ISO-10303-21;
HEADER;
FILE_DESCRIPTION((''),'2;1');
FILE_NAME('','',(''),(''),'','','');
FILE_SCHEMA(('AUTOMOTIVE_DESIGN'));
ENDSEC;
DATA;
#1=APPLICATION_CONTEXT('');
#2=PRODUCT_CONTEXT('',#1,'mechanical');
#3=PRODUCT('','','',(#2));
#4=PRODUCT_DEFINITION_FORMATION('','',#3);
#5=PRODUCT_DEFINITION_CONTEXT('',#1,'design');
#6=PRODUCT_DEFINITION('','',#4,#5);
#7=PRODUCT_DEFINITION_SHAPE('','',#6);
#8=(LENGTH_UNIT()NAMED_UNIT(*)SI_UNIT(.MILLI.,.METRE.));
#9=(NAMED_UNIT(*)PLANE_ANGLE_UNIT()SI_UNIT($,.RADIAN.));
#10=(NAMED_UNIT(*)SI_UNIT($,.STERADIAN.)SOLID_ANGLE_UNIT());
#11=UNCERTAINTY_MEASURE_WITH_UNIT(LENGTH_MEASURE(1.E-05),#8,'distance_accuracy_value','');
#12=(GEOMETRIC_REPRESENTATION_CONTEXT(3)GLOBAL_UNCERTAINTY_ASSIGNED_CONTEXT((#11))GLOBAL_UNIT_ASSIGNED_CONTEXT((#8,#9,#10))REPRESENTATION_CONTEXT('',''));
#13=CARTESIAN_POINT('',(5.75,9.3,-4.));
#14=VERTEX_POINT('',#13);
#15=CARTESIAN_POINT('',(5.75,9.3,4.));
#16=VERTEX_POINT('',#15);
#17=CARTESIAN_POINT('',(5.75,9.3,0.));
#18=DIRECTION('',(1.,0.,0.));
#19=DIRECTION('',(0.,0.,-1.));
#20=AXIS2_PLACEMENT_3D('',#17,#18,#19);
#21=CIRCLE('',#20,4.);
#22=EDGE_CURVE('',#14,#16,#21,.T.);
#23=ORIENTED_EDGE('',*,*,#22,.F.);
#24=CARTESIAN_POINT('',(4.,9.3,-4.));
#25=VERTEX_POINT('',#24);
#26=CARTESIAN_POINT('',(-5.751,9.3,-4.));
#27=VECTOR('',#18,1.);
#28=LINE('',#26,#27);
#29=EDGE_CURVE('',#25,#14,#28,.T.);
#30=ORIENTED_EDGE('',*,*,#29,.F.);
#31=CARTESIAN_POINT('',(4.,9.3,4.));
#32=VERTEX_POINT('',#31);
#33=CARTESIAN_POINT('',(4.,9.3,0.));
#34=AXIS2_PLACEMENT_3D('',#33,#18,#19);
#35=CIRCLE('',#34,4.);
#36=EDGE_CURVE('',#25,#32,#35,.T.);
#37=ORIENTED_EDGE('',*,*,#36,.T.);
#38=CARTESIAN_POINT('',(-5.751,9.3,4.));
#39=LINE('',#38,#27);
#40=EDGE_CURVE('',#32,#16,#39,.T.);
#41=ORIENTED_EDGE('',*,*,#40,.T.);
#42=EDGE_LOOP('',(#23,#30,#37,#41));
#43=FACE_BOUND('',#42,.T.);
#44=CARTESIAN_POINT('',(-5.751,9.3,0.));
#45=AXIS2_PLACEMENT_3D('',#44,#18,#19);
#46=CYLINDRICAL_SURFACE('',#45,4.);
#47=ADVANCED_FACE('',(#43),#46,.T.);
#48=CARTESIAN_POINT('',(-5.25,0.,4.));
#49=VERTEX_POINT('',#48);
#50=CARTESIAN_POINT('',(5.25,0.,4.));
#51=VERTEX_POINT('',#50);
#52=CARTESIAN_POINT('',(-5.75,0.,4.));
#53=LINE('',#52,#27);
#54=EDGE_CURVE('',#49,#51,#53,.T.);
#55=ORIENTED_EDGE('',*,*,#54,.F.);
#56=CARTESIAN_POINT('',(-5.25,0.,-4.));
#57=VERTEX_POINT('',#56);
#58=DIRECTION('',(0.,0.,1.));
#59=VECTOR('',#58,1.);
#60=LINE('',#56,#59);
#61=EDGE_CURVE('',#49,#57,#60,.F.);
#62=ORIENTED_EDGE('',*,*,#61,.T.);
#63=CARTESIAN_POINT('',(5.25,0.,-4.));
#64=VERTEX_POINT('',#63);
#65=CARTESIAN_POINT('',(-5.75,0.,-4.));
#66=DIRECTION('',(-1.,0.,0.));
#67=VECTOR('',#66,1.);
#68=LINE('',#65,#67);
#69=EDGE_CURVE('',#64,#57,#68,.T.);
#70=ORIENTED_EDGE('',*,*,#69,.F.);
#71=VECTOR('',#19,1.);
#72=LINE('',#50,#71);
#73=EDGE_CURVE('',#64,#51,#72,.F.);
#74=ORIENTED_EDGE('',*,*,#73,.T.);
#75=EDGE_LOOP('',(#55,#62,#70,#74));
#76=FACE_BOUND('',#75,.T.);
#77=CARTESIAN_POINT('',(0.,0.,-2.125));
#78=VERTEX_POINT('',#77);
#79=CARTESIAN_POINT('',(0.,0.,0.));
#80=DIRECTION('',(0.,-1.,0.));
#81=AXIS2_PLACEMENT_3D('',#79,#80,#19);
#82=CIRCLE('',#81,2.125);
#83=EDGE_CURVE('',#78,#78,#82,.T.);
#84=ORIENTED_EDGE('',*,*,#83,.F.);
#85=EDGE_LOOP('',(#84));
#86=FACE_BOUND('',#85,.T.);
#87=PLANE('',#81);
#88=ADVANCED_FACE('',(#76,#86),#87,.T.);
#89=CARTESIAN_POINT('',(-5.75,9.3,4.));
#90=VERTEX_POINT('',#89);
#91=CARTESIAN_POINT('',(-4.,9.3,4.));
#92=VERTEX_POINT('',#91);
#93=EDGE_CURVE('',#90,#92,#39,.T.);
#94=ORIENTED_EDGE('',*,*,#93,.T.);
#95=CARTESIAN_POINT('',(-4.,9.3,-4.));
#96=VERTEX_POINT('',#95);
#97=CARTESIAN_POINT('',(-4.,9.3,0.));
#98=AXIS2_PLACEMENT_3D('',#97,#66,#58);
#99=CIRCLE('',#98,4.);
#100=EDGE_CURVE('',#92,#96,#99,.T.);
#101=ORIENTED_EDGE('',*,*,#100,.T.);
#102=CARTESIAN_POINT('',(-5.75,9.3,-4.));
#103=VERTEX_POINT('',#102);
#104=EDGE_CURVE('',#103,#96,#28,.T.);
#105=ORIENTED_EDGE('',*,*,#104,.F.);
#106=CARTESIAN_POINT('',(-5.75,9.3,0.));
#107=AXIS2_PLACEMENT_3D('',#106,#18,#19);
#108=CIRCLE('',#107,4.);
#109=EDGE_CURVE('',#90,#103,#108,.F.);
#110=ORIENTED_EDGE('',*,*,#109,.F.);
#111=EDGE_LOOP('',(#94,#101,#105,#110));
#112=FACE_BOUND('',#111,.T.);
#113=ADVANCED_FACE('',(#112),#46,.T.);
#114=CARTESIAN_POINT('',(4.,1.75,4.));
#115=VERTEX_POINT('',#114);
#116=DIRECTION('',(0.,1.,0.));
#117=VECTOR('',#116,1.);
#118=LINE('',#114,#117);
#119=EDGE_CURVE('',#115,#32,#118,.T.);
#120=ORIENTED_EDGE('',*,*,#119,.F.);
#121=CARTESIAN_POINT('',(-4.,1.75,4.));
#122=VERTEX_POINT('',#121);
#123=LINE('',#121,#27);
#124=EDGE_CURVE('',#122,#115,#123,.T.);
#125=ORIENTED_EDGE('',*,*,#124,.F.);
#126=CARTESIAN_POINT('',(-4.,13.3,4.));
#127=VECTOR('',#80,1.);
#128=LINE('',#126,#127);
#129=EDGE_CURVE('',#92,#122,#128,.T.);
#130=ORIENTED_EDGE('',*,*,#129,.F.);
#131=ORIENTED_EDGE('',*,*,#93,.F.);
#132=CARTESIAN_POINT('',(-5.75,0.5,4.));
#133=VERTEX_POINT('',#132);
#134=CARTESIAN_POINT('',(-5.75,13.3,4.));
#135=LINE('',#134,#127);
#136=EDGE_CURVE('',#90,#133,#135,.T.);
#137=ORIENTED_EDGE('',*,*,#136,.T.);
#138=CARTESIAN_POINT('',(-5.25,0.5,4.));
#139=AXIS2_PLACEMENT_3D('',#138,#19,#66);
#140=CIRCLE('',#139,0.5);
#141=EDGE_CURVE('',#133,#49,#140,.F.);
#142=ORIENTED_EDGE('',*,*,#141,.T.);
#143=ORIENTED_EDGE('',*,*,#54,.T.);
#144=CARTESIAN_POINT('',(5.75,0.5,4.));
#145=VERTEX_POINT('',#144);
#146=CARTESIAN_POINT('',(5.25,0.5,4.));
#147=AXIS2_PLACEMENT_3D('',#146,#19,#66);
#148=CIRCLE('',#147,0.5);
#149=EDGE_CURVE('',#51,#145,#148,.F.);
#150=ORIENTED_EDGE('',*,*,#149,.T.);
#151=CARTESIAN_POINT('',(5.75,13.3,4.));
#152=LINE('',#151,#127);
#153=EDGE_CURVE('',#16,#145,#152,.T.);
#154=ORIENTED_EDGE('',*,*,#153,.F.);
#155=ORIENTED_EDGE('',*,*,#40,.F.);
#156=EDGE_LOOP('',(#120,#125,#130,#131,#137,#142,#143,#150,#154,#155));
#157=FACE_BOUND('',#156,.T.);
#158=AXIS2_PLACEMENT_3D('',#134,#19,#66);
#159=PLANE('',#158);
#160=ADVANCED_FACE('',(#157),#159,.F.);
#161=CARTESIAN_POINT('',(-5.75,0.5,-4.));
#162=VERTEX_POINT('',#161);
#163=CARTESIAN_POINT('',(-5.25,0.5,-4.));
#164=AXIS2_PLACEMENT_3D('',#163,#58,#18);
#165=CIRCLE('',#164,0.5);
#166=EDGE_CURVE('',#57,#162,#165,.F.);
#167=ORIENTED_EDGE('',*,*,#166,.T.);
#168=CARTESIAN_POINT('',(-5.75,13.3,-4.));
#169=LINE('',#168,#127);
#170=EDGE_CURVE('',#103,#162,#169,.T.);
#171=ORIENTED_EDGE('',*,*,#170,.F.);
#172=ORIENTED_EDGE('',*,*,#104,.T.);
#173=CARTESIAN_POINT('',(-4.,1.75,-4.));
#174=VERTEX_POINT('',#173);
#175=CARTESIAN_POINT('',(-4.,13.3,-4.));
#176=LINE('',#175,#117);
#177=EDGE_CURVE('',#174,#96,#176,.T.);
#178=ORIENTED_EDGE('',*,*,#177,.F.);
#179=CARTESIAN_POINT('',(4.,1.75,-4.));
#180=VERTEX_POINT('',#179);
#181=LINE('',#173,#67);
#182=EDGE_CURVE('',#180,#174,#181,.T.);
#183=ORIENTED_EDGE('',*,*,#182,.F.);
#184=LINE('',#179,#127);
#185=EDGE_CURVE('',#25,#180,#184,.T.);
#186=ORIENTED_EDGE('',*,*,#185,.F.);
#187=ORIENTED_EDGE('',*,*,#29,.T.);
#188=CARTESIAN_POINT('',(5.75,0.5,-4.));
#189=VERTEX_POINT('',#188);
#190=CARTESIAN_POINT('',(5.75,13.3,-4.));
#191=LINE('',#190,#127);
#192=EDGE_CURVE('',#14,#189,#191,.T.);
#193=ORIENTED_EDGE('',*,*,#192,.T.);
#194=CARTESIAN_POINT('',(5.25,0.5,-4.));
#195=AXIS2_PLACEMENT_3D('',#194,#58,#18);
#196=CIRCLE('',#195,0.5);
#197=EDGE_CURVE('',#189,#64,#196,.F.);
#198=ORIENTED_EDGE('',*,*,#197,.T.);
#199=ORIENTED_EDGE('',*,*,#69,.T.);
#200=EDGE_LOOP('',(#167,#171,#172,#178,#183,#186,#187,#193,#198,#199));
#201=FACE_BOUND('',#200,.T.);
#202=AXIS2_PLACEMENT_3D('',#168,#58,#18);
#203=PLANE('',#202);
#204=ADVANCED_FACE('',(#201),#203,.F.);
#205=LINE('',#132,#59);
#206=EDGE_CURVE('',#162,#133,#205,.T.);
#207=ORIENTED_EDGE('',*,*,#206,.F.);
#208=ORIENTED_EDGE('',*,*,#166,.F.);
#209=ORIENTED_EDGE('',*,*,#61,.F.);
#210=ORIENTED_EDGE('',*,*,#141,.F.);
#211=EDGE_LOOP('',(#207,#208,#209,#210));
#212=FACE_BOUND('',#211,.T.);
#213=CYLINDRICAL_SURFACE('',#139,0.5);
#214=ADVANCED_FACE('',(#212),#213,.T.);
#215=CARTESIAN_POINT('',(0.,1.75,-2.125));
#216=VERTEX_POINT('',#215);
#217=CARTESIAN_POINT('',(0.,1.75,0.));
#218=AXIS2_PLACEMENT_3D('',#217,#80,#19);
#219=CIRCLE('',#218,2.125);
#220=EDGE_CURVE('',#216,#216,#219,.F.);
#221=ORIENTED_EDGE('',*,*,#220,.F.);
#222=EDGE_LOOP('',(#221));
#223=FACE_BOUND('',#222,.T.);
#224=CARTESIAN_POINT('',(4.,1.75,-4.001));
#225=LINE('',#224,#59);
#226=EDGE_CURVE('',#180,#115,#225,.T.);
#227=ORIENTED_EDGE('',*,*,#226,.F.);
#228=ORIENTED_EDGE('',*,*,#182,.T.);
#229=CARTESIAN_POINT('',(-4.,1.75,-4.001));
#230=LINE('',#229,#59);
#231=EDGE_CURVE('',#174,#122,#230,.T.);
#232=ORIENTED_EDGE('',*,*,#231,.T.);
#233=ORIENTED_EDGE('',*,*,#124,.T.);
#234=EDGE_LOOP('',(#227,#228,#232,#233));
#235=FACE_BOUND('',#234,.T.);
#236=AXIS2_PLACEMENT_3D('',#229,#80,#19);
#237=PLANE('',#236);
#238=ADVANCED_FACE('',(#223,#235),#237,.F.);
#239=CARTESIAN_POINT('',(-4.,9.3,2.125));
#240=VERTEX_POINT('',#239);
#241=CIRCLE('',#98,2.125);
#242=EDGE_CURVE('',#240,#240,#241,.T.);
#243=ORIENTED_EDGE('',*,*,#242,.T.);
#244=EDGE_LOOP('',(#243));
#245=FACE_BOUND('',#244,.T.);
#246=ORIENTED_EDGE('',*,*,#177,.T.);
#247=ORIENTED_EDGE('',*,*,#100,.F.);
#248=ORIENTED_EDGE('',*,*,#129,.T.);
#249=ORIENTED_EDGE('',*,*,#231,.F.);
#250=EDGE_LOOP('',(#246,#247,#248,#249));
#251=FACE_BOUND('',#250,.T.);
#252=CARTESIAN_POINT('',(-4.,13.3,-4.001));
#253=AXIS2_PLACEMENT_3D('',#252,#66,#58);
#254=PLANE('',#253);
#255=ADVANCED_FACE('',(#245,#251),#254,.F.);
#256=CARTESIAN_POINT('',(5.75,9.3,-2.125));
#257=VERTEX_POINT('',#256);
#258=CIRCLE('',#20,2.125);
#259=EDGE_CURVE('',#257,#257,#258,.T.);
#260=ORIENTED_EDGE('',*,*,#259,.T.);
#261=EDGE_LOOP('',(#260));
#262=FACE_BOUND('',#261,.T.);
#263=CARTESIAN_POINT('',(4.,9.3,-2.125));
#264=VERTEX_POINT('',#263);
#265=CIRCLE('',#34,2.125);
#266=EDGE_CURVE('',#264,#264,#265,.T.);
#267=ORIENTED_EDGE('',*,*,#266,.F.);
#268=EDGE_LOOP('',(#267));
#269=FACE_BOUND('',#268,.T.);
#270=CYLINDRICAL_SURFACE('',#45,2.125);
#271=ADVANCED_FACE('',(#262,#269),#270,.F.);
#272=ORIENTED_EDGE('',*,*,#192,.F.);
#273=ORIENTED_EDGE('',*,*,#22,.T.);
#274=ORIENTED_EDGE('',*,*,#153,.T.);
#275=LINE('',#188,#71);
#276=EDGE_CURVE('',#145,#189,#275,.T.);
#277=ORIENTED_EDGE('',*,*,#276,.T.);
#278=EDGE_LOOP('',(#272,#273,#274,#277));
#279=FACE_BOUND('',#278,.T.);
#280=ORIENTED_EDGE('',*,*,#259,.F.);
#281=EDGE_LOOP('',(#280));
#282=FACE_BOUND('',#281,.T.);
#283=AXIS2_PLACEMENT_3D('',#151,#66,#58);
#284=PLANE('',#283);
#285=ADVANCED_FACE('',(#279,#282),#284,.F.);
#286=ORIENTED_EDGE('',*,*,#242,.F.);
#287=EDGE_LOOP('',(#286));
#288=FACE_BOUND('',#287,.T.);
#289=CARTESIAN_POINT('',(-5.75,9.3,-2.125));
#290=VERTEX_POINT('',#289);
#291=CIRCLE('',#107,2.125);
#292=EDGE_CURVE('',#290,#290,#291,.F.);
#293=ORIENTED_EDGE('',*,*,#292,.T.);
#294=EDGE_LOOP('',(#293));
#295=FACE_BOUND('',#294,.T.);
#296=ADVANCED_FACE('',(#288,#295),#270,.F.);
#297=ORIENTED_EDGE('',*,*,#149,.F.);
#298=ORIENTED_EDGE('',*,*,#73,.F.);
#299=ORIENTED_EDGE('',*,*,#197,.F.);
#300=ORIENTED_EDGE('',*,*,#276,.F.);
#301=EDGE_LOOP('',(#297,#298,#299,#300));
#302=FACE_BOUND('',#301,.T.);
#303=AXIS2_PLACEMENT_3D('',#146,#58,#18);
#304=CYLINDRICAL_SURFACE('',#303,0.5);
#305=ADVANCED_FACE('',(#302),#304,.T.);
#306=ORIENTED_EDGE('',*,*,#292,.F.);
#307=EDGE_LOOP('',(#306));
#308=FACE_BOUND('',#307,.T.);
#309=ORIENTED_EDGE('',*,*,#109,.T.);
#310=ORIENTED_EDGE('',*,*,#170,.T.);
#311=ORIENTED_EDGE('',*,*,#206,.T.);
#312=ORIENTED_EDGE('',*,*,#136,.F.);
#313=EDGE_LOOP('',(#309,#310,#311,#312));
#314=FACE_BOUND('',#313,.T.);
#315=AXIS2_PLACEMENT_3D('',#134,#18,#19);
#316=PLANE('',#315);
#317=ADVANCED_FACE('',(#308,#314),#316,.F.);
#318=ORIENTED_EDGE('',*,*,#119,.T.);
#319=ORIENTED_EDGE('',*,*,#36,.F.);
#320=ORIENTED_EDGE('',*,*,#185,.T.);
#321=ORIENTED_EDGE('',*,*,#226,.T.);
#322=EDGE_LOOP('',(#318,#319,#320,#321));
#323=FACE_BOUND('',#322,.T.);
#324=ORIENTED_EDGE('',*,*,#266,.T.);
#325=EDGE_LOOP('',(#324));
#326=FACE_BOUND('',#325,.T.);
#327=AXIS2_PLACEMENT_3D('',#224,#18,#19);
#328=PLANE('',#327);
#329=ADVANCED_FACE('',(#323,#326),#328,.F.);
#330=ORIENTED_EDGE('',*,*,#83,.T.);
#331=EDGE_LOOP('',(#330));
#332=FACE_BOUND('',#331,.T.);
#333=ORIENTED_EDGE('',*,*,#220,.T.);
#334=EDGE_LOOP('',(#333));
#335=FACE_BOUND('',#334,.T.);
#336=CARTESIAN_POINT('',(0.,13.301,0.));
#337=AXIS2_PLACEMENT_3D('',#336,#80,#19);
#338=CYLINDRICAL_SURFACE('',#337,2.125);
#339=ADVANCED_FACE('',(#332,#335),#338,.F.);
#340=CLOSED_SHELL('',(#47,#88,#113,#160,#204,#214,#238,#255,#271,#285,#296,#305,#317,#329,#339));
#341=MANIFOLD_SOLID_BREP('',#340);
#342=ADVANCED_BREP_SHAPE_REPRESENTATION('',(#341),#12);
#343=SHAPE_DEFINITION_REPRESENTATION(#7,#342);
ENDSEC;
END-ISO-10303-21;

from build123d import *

# Parameters (mm, degrees)
SKETCH1_W           = 11.5
SKETCH1_H           = 8
BOSS_EXTRUDE1_DEPTH = 13.3
CUT_EXTRUDE1_REACH  = 20.032
SKETCH2_R           = 2.125
CUT_EXTRUDE2_REACH  = 20.032
CUT_EXTRUDE3_REACH  = 18.552
SKETCH4_W           = 8
SKETCH4_H           = 11.55
CUT_EXTRUDE4_REACH  = 17.032
SKETCH5_R           = 2.125
FILLET1_R           = 0.5


with BuildPart() as part:
    # Sketch1 → Boss-Extrude1 (new body)
    with BuildSketch(Plane(origin=(0, 0, 0), x_dir=(1, 0, 0), z_dir=(0, 1, 0))):
        Rectangle(SKETCH1_W, SKETCH1_H)
    extrude(amount=BOSS_EXTRUDE1_DEPTH)

    # Sketch2 → Cut-Extrude1 (cut, up to next)
    with BuildSketch(Plane(origin=(5.75, 0, 0), x_dir=(0, 0, -1), z_dir=(1, 0, 0)), mode=Mode.PRIVATE) as cut_extrude1_sk1:
        with Locations((0, 9.3)):
            Circle(SKETCH2_R)
    cut_extrude1_tool1 = extrude(cut_extrude1_sk1.sketch, amount=-CUT_EXTRUDE1_REACH, mode=Mode.PRIVATE) & part.part
    add(cut_extrude1_tool1.solids().sort_by_distance((5.75, 9.3, 0))[0], mode=Mode.SUBTRACT)

    # Sketch3 → Cut-Extrude2 (cut, up to next)
    with BuildSketch(Plane(origin=(5.75, 0, 0), x_dir=(0, 0, -1), z_dir=(1, 0, 0)), mode=Mode.PRIVATE) as cut_extrude2_sk1:
        with BuildLine():
            Line((4, 13.3), (0, 13.3))
            ThreePointArc((0, 13.3), (2.828427125, 12.128427125), (4, 9.3))
            Line((4, 9.3), (4, 13.3))
        make_face()
    cut_extrude2_tool1 = extrude(cut_extrude2_sk1.sketch, amount=-CUT_EXTRUDE2_REACH, mode=Mode.PRIVATE) & part.part
    # Sketch3 → Cut-Extrude2 (cut, up to next)
    with BuildSketch(Plane(origin=(5.75, 0, 0), x_dir=(0, 0, -1), z_dir=(1, 0, 0)), mode=Mode.PRIVATE) as cut_extrude2_sk2:
        with BuildLine():
            Line((0, 13.3), (-4, 13.3))
            Line((-4, 13.3), (-4, 9.3))
            ThreePointArc((-4, 9.3), (-2.828427125, 12.128427125), (0, 13.3))
        make_face()
    cut_extrude2_tool2 = extrude(cut_extrude2_sk2.sketch, amount=-CUT_EXTRUDE2_REACH, mode=Mode.PRIVATE) & part.part
    add(cut_extrude2_tool1.solids().sort_by_distance((5.75, 12.406528, -3.106528))[0], mode=Mode.SUBTRACT)
    add(cut_extrude2_tool2.solids().sort_by_distance((5.75, 12.406528, 3.106528))[0], mode=Mode.SUBTRACT)

    # Sketch4 → Cut-Extrude3 (cut, up to next)
    with BuildSketch(Plane.XY.offset(4), mode=Mode.PRIVATE) as cut_extrude3_sk1:
        with Locations((0, 7.525)):
            Rectangle(SKETCH4_W, SKETCH4_H)
    cut_extrude3_tool1 = extrude(cut_extrude3_sk1.sketch, amount=-CUT_EXTRUDE3_REACH, mode=Mode.PRIVATE) & part.part
    add(cut_extrude3_tool1.solids().sort_by_distance((0, 7.525, 4))[0], mode=Mode.SUBTRACT)

    # Sketch5 → Cut-Extrude4 (cut, up to next)
    with BuildSketch(Plane.XZ, mode=Mode.PRIVATE) as cut_extrude4_sk1:
        with Locations(Location((0, 0, 0), (0, 0, 270))):
            Circle(SKETCH5_R)
    cut_extrude4_tool1 = extrude(cut_extrude4_sk1.sketch, amount=-CUT_EXTRUDE4_REACH, mode=Mode.PRIVATE) & part.part
    add(cut_extrude4_tool1.solids().sort_by_distance((0, 0, 0))[0], mode=Mode.SUBTRACT)

    # Fillet1
    fillet1_edges = [part.edges().sort_by_distance(p)[0] for p in [
        (5.75, 0, 0),
        (-5.75, 0, 0),
    ]]
    fillet(fillet1_edges, radius=FILLET1_R)


solid = part.part
